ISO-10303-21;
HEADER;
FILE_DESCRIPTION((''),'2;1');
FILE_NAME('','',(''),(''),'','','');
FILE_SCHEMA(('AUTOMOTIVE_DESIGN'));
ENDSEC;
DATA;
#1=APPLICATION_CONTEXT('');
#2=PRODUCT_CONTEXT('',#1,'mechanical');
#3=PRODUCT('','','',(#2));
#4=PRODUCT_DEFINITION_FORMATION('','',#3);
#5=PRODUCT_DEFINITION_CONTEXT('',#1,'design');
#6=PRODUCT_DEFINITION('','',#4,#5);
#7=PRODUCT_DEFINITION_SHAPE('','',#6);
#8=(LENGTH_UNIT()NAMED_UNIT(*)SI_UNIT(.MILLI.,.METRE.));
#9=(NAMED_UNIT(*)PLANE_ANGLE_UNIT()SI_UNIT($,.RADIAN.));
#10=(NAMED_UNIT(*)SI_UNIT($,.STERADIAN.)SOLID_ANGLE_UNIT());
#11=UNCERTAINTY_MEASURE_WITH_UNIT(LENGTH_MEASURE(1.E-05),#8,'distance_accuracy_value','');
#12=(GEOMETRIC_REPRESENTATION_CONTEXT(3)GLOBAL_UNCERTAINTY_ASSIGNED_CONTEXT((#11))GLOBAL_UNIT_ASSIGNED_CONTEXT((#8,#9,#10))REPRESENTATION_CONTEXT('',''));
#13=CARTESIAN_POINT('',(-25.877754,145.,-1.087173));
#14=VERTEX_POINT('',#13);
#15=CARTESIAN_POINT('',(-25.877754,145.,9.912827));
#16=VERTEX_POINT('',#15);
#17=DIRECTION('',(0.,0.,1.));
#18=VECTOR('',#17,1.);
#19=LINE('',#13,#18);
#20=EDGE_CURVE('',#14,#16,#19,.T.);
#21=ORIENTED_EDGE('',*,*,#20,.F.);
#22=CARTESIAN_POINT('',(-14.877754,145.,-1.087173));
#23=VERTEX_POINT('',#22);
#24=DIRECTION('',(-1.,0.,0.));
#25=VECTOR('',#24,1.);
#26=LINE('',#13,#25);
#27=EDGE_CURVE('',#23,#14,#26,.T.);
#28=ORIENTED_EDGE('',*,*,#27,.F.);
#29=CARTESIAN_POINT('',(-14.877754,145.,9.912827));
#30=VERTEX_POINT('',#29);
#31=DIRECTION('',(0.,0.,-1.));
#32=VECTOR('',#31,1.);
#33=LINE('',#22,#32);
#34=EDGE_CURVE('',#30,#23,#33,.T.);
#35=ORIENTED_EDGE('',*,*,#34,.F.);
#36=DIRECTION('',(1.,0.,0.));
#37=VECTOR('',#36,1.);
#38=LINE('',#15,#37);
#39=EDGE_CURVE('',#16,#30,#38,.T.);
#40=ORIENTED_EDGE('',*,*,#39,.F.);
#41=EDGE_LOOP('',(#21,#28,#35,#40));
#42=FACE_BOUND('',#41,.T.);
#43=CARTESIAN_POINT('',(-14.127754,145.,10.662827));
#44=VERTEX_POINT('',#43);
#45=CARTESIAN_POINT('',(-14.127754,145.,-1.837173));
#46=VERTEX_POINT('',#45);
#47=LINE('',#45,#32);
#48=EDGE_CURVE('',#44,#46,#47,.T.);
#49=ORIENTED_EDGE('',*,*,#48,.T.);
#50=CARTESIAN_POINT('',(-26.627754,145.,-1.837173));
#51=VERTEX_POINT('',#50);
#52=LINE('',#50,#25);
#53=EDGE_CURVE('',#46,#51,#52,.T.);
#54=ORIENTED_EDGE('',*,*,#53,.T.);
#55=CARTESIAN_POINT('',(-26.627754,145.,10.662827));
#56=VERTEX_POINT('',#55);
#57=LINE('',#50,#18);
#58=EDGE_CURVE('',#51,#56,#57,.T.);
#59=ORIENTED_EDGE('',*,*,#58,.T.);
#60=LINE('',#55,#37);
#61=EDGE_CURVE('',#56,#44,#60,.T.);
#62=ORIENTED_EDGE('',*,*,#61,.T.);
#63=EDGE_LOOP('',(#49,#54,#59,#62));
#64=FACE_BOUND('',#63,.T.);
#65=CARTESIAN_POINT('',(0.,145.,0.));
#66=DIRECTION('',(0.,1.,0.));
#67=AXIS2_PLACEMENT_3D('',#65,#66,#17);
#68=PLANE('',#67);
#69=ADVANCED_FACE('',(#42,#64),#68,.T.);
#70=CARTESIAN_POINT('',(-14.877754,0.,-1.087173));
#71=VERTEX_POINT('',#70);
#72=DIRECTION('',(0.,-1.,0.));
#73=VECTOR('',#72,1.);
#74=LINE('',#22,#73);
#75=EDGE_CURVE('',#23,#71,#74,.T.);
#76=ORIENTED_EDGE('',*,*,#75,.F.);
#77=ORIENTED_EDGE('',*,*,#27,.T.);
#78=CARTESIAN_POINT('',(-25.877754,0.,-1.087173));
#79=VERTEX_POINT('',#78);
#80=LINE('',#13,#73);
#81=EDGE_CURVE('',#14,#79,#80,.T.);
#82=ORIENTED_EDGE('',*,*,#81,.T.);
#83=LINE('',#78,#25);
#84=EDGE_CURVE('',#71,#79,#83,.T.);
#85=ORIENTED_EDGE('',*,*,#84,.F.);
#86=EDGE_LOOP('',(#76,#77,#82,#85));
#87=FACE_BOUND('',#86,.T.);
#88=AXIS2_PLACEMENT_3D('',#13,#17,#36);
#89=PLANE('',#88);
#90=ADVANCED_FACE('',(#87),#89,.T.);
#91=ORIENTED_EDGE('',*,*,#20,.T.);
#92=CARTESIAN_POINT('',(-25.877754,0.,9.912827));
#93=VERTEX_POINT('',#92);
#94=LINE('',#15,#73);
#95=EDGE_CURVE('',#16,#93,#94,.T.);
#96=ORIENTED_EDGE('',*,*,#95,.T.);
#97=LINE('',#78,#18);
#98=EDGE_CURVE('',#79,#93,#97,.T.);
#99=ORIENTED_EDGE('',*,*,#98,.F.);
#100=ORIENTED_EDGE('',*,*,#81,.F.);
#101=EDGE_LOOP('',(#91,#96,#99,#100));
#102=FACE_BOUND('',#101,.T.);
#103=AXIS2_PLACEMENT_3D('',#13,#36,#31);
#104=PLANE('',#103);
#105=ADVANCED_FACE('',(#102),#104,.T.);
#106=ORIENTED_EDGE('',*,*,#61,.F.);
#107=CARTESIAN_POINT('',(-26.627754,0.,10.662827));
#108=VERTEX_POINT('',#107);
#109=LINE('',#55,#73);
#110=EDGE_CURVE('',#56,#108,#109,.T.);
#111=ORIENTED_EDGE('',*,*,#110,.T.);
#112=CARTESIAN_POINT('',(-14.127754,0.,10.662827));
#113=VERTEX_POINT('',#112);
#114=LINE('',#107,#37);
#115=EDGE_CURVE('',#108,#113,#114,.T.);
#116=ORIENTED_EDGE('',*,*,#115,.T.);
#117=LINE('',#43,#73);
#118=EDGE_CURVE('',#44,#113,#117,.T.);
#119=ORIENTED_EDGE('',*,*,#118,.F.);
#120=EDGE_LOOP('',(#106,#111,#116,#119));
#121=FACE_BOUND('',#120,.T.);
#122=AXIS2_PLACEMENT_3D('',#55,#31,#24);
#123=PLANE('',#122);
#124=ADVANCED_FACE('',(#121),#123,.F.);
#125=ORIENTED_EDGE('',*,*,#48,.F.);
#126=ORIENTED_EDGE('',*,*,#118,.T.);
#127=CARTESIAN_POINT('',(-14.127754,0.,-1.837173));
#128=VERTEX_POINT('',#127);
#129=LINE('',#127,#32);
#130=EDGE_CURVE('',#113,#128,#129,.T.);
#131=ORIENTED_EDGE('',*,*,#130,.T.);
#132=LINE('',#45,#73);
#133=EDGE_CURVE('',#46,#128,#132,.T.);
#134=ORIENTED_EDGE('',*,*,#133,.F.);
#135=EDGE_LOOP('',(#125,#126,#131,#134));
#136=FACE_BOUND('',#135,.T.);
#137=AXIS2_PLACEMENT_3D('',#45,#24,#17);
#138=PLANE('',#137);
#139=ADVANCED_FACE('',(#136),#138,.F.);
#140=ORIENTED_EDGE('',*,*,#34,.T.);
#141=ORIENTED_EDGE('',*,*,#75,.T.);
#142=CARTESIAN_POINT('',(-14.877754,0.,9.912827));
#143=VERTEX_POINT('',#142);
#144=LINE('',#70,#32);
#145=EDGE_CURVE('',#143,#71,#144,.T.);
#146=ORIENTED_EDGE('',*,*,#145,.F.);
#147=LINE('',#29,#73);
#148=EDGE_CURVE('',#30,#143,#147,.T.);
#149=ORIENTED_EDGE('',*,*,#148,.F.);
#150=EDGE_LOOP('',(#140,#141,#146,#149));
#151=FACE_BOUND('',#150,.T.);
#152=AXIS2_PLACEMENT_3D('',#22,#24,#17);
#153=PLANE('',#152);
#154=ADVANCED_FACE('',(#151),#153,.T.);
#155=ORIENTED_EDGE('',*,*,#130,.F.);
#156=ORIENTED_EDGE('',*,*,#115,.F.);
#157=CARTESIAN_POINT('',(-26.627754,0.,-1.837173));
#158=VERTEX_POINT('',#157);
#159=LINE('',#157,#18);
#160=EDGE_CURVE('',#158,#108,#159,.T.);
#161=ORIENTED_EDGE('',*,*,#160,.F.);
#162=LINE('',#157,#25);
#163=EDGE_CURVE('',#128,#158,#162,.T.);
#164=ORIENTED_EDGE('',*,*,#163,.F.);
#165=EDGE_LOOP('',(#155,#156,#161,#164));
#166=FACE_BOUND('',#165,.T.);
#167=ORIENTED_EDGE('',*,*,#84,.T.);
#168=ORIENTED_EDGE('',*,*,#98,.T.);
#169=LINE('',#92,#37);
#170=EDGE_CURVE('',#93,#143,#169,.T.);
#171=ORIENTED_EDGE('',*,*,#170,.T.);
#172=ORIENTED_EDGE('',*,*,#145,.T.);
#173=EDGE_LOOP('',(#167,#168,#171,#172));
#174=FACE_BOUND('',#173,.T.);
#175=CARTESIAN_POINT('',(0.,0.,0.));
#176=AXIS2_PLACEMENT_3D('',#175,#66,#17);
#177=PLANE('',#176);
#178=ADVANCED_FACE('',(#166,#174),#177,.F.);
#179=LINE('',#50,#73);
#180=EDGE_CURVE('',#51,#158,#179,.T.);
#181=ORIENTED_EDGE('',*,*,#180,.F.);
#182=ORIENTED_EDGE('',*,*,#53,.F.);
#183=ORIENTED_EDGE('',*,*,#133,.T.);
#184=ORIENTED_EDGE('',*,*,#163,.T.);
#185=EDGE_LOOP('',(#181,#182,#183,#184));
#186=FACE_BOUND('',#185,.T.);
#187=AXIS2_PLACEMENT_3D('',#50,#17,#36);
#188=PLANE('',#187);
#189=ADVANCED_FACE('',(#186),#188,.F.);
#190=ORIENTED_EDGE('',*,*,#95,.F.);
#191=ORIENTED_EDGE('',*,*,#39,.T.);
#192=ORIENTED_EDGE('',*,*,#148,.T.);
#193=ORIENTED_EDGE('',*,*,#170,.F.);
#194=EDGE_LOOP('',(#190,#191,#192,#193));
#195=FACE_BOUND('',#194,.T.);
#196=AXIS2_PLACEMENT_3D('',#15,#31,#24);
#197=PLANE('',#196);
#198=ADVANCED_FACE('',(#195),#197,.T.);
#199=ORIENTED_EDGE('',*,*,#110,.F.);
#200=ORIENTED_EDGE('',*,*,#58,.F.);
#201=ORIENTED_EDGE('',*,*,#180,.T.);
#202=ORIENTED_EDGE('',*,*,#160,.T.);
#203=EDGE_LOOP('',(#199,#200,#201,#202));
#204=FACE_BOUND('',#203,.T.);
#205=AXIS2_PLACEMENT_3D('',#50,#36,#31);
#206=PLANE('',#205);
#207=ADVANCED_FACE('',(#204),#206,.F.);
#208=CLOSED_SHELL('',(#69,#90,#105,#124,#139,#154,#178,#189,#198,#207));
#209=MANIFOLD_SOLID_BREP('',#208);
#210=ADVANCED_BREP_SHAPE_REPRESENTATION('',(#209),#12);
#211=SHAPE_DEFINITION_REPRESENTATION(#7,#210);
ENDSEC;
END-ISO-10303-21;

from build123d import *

# Parameters (mm, degrees)
SKETCH1_W           = 12.5
SKETCH1_H           = 12.5
SKETCH1_W_2         = 11
SKETCH1_H_2         = 11
BOSS_EXTRUDE3_DEPTH = 145


with BuildPart() as part:
    # Sketch1 → Boss-Extrude3 (new body)
    with BuildSketch(Plane(origin=(0, 0, 0), x_dir=(1, 0, 0), z_dir=(0, 1, 0))):
        with Locations((-20.377754415, -4.412827368)):
            Rectangle(SKETCH1_W, SKETCH1_H)
        with Locations((-20.377754415, -4.412827368)):
            Rectangle(SKETCH1_W_2, SKETCH1_H_2, mode=Mode.SUBTRACT)
    extrude(amount=BOSS_EXTRUDE3_DEPTH)


solid = part.part
